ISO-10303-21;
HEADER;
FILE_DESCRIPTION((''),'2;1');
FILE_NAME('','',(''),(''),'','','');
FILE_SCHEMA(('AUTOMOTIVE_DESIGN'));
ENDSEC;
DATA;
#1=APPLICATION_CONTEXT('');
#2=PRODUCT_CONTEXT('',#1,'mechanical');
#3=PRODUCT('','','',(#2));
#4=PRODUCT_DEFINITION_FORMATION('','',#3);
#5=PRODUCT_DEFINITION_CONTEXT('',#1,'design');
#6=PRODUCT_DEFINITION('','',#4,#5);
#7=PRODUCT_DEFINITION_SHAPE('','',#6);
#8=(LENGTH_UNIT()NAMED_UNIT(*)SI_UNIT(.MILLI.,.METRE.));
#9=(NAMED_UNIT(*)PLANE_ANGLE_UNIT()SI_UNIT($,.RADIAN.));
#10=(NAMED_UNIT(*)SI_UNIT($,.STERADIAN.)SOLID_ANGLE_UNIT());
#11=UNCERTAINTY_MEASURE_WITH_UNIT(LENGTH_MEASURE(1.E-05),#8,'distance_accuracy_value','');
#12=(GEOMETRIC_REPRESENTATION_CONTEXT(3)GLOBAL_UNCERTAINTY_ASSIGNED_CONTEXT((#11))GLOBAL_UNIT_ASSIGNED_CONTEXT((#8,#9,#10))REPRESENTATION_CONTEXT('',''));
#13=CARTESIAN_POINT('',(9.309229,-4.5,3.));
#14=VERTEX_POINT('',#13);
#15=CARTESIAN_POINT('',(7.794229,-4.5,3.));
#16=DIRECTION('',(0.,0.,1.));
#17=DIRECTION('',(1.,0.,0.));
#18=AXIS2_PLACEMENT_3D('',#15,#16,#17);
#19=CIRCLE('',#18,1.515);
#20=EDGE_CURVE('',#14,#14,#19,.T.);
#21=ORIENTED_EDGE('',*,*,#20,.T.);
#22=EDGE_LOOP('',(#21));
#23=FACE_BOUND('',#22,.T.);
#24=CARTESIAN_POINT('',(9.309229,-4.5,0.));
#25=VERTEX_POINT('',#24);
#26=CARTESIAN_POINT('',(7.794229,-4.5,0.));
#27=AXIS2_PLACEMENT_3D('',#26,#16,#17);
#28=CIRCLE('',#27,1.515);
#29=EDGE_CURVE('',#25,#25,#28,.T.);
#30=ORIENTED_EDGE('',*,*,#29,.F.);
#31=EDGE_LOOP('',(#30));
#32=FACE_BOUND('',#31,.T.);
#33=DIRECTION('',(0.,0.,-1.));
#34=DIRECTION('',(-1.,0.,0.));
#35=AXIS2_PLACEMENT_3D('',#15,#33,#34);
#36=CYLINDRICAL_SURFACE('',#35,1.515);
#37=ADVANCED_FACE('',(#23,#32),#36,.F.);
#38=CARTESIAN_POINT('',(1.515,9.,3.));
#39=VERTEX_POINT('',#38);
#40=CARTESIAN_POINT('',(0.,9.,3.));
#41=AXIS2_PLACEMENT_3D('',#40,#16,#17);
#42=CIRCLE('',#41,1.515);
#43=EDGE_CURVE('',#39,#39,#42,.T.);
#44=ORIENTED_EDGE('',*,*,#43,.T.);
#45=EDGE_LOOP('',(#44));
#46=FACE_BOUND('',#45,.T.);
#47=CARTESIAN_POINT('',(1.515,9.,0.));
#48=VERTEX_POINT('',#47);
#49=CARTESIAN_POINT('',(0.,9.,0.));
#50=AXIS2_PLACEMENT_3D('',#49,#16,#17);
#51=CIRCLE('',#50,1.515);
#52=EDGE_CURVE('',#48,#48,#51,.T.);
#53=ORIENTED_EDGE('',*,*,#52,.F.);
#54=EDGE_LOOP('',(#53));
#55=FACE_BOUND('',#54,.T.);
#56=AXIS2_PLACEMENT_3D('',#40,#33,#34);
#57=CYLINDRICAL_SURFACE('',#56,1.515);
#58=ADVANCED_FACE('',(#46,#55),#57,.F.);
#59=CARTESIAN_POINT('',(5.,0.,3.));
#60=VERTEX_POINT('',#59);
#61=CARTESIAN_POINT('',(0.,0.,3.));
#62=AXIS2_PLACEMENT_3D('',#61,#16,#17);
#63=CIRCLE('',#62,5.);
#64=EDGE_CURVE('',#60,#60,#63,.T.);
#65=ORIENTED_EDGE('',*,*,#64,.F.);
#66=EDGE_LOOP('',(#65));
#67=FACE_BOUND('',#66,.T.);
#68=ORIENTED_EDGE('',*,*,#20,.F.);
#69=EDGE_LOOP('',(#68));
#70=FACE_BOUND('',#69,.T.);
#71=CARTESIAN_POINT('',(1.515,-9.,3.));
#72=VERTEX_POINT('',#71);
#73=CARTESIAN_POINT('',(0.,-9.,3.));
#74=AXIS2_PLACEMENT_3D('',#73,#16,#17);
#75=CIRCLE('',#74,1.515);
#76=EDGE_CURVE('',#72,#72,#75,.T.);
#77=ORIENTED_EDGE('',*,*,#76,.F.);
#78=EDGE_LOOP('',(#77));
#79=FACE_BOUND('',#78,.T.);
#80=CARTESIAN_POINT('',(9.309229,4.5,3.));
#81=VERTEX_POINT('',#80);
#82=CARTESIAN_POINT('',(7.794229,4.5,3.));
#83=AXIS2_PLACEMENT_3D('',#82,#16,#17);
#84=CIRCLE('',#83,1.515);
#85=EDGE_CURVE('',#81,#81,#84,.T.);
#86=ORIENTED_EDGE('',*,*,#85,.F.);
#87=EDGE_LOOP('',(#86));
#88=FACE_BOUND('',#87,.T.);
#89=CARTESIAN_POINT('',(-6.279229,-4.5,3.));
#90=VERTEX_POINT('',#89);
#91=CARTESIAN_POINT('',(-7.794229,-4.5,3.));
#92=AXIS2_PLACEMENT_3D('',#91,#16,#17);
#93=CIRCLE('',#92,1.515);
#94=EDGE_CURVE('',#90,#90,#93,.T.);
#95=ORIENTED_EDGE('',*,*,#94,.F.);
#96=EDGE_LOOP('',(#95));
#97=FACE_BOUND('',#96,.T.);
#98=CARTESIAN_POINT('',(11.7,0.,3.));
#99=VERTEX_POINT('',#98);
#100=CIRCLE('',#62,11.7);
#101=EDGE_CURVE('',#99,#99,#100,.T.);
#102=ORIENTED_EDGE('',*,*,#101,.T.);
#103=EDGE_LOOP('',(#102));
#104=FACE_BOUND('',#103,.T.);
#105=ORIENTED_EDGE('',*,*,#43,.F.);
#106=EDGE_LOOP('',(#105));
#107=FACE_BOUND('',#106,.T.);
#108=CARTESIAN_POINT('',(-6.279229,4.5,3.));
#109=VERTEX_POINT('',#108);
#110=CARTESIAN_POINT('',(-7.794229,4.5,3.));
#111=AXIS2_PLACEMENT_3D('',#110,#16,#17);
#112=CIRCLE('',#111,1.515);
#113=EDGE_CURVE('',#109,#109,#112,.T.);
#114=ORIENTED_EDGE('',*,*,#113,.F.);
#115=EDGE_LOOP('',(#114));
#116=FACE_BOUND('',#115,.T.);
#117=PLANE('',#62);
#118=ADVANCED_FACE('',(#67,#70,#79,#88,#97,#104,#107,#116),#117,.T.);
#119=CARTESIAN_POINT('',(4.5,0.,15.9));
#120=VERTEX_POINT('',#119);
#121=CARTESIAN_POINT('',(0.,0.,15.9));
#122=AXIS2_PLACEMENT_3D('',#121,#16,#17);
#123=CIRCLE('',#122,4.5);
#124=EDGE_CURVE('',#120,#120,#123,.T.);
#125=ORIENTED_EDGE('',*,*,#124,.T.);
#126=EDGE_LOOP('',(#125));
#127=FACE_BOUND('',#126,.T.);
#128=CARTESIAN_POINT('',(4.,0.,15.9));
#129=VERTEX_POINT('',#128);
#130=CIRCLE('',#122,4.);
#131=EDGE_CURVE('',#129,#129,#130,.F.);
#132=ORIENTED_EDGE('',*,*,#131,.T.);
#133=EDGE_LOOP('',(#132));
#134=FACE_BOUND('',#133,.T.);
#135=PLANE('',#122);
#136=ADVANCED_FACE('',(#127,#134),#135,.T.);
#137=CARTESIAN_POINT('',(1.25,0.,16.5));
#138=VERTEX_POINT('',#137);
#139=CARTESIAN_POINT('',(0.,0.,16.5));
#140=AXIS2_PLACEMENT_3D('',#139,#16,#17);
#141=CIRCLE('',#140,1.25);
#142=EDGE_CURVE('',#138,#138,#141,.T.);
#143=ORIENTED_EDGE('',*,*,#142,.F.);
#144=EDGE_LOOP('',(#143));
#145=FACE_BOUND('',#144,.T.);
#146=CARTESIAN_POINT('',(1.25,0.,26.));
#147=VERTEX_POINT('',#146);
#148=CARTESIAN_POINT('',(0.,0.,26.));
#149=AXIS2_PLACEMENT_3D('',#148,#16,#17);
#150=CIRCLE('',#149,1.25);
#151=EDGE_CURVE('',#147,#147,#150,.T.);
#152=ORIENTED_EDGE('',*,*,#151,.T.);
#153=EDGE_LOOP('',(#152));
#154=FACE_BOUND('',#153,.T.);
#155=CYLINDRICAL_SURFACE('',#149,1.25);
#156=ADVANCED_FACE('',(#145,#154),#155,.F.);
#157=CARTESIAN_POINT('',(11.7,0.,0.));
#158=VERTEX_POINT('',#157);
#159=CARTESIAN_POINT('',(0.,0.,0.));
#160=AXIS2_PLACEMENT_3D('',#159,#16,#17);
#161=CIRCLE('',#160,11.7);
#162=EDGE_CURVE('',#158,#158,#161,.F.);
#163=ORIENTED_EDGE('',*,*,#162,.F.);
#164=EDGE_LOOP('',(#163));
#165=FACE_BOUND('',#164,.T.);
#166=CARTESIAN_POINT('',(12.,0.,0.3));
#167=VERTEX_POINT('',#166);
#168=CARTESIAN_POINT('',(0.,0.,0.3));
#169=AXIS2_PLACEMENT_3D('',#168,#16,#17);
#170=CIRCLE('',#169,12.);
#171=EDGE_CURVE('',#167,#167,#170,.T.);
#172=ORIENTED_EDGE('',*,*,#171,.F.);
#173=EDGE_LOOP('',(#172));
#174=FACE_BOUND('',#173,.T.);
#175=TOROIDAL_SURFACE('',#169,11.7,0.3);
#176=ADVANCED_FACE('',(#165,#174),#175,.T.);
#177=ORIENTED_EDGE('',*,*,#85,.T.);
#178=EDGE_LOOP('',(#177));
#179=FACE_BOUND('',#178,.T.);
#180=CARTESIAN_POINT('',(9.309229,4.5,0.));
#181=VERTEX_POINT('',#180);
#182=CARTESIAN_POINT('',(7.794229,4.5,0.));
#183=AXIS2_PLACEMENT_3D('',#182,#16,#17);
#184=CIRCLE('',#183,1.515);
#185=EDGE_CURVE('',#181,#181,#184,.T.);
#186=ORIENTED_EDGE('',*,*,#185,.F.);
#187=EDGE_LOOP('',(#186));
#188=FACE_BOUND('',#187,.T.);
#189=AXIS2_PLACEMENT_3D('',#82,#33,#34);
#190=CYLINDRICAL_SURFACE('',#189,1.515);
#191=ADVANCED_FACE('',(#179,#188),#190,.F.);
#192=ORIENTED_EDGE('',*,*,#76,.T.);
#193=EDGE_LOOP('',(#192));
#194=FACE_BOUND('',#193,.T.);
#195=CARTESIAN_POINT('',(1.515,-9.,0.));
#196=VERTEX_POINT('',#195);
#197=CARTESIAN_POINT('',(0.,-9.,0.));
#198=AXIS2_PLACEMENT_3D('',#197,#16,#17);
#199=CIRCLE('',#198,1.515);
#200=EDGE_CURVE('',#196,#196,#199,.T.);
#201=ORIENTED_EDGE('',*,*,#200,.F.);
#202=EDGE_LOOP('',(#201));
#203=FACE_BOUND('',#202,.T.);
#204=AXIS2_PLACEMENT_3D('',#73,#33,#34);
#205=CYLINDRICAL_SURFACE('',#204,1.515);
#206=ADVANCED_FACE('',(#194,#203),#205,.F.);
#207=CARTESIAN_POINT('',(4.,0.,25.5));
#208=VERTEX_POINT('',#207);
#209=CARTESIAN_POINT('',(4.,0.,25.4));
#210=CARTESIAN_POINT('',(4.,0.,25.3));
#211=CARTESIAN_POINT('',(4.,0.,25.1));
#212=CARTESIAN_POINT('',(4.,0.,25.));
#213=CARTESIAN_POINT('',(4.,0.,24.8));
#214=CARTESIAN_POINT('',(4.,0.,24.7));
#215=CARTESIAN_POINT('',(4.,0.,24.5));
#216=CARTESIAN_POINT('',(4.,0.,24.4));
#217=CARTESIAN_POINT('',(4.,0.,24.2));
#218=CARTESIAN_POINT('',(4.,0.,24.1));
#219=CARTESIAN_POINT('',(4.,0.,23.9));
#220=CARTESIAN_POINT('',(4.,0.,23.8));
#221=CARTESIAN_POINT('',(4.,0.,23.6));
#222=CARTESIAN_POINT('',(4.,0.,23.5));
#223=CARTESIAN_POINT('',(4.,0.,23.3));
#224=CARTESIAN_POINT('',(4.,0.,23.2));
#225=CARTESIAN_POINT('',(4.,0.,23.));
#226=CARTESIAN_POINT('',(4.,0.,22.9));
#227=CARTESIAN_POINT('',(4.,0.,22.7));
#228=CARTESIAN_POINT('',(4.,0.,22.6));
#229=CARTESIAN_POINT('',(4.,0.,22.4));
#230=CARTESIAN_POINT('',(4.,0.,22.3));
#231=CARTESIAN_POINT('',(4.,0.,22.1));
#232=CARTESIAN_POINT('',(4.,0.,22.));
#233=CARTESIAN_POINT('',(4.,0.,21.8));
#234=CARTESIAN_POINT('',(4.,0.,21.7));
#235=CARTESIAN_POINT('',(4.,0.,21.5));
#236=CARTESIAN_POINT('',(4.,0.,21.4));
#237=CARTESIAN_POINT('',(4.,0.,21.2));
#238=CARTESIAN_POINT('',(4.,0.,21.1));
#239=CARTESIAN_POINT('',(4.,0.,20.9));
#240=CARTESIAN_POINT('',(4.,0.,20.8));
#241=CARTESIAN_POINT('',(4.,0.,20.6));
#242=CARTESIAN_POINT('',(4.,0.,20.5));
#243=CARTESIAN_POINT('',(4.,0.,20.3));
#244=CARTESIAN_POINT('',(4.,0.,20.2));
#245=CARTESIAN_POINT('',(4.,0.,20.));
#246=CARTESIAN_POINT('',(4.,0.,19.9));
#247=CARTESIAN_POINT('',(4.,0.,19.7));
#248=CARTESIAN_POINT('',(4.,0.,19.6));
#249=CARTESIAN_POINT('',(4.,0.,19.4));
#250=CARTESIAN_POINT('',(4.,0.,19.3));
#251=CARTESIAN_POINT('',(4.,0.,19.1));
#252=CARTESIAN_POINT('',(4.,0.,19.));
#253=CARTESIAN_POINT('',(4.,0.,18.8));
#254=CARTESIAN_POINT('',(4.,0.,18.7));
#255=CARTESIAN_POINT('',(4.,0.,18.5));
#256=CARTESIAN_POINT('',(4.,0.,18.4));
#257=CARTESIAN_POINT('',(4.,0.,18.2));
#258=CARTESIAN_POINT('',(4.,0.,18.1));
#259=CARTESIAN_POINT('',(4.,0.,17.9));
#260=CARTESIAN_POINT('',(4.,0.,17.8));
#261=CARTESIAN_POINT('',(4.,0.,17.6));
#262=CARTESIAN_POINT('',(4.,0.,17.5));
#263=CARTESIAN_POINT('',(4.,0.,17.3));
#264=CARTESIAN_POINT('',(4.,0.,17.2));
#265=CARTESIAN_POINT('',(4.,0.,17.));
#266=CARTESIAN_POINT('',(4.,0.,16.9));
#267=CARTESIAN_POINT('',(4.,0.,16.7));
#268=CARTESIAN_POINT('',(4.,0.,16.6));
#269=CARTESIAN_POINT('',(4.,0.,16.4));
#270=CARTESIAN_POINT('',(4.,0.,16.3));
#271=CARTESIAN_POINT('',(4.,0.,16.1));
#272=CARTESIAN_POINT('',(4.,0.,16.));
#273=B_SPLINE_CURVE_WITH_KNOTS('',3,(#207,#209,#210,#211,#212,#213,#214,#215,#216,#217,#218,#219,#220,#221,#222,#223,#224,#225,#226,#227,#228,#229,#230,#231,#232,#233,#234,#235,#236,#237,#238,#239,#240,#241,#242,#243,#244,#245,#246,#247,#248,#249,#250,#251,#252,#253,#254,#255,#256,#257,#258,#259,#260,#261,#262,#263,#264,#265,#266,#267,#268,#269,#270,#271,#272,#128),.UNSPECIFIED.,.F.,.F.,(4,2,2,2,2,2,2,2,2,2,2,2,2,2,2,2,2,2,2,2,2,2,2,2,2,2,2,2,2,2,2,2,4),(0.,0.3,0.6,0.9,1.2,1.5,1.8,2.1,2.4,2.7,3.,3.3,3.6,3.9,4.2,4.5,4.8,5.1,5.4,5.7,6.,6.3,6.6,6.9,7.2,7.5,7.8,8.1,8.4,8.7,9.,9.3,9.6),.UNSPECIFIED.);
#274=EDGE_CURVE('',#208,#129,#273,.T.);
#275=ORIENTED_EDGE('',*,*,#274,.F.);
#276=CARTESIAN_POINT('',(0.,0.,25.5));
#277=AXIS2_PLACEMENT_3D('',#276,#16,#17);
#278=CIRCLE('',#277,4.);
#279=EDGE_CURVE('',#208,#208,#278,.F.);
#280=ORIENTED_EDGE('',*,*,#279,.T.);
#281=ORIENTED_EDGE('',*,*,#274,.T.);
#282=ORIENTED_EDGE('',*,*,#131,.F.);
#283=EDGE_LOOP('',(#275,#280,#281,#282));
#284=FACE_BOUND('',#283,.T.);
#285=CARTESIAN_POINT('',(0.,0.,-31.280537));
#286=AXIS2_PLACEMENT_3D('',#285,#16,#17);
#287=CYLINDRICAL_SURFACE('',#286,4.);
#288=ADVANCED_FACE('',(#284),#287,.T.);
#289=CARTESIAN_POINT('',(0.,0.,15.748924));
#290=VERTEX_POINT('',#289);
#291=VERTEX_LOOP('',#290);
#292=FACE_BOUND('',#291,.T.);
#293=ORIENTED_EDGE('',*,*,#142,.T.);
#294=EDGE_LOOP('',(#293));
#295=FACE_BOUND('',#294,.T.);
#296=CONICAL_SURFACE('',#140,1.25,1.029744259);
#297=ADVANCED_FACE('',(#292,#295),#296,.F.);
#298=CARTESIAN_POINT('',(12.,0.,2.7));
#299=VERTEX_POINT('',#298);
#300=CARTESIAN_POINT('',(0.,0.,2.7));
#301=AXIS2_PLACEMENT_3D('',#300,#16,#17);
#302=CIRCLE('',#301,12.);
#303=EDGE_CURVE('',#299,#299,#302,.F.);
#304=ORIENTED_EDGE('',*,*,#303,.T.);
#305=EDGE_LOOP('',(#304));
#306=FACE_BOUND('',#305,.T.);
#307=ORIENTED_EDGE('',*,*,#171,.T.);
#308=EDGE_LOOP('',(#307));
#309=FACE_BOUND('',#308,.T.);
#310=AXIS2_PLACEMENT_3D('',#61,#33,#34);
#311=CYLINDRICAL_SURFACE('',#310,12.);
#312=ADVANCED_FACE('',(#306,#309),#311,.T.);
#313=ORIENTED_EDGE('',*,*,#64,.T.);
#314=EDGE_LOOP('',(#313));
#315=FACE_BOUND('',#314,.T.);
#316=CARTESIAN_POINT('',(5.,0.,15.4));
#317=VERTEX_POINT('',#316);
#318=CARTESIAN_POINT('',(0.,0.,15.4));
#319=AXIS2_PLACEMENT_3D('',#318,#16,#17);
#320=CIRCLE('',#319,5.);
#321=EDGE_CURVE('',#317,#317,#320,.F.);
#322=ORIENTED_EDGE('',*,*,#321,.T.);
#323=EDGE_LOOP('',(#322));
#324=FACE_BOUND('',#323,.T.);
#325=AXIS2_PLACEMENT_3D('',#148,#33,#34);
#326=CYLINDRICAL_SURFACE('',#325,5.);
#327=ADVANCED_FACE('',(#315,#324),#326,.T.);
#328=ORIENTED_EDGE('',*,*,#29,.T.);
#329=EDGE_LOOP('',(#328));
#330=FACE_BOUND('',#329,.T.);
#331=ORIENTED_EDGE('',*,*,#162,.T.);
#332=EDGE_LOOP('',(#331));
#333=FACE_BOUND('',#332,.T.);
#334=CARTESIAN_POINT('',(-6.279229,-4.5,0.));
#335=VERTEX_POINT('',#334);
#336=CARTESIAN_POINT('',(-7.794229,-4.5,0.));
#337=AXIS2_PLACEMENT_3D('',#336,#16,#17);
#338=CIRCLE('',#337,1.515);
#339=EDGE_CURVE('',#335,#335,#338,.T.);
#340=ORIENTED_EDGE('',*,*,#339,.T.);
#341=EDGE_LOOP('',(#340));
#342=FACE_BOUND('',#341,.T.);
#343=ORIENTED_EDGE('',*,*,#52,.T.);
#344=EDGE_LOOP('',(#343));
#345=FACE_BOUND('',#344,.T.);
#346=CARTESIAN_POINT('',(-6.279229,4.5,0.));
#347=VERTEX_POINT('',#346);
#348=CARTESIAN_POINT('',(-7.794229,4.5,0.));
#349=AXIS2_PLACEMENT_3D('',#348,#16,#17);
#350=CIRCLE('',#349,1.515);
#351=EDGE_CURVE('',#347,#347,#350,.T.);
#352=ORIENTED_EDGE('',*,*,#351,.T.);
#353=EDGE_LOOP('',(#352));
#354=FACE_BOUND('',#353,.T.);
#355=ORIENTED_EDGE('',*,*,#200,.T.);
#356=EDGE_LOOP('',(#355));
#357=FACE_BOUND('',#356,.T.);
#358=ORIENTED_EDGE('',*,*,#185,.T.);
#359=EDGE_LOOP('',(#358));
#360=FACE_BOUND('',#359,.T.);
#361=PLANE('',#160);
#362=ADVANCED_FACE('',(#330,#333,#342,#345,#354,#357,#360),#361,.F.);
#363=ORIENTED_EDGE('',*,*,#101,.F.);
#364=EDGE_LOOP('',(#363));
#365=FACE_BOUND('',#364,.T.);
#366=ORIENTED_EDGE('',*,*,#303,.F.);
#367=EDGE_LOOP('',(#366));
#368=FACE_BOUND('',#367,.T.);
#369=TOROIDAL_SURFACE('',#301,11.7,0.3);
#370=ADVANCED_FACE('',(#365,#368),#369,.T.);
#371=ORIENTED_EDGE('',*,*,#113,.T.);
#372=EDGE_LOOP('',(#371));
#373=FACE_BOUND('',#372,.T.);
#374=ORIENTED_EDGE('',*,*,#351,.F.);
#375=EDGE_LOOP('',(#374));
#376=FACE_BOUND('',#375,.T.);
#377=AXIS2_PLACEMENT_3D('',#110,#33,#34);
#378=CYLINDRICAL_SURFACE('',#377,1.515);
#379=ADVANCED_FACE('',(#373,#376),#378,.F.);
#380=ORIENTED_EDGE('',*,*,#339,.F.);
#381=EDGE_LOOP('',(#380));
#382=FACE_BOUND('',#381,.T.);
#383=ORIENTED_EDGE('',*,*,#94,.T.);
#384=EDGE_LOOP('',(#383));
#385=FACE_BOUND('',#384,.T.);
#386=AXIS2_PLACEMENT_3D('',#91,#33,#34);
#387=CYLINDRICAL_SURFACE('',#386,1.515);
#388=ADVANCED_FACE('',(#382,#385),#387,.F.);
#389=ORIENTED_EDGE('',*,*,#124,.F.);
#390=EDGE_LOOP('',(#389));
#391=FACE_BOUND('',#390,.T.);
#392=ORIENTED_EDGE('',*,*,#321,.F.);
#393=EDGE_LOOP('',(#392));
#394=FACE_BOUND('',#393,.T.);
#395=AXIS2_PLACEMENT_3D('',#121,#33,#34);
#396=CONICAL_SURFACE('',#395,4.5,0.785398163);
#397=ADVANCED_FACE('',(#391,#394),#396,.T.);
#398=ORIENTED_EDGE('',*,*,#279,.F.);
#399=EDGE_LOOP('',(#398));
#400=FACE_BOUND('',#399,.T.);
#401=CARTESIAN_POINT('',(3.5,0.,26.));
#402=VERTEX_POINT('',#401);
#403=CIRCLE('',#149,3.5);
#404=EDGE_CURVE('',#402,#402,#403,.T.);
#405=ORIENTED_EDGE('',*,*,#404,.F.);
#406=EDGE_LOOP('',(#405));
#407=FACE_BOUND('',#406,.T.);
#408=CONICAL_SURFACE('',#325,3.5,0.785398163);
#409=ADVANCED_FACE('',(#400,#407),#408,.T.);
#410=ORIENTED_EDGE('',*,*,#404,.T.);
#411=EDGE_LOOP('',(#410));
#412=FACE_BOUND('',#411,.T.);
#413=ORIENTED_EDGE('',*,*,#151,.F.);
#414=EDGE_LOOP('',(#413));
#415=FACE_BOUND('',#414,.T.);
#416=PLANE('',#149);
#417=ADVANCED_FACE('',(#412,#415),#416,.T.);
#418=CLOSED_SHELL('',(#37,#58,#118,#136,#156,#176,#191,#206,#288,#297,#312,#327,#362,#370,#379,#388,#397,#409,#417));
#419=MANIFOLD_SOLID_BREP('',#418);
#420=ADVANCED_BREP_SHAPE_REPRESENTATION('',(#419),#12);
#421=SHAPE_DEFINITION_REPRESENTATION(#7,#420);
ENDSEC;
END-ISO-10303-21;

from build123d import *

# Parameters (mm, degrees)
SKETCH_1_R             = 12
SKETCH_1_R_2           = 1.515
EXTRUDE_1_DEPTH        = 3
SKETCH_2_R             = 5
EXTRUDE_2_DEPTH        = 23
SKETCH_3_OUTSIDE_W     = 34.552
SKETCH_3_OUTSIDE_H     = 34.552
SKETCH_3_OUTSIDE_R     = 4
CUT_EXTRUDE_1_DEPTH    = 10.1
CHAMFER_1_SIZE         = 0.5
FILLET_1_R             = 0.3
HOLE_WIZARD_M3_1_D     = 2.5
HOLE_WIZARD_M3_1_DEPTH = 9.5
HOLE_WIZARD_M3_1_TIP   = 0.751075774


with BuildPart() as part:
    # 草图1 → 凸台-拉伸1 (new body)
    with BuildSketch(Plane.XY):
        Circle(SKETCH_1_R)
        with Locations((0, 9)):
            Circle(SKETCH_1_R_2, mode=Mode.SUBTRACT)
        with Locations((7.794228634, 4.5)):
            Circle(SKETCH_1_R_2, mode=Mode.SUBTRACT)
        with Locations((7.794228634, -4.5)):
            Circle(SKETCH_1_R_2, mode=Mode.SUBTRACT)
        with Locations((0, -9)):
            Circle(SKETCH_1_R_2, mode=Mode.SUBTRACT)
        with Locations((-7.794228634, -4.5)):
            Circle(SKETCH_1_R_2, mode=Mode.SUBTRACT)
        with Locations((-7.794228634, 4.5)):
            Circle(SKETCH_1_R_2, mode=Mode.SUBTRACT)
    extrude(amount=EXTRUDE_1_DEPTH)

    # 草图2 → 凸台-拉伸2 (add)
    with BuildSketch(Plane.XY.offset(3)):
        Circle(SKETCH_2_R)
    extrude(amount=EXTRUDE_2_DEPTH)

    # 草图3 outside → 切除-拉伸1 (cut)
    with BuildSketch(Plane.XY.offset(26)):
        Rectangle(SKETCH_3_OUTSIDE_W, SKETCH_3_OUTSIDE_H)
        Circle(SKETCH_3_OUTSIDE_R, mode=Mode.SUBTRACT)
    extrude(amount=-CUT_EXTRUDE_1_DEPTH, mode=Mode.SUBTRACT)

    # 倒角1
    chamfer_1_edges = [part.edges().sort_by_distance(p)[0] for p in [
        (-4, 0, 26),
        (-5, 0, 15.9),
    ]]
    chamfer(chamfer_1_edges, length=CHAMFER_1_SIZE)

    # 圆角1
    fillet_1_edges = [part.edges().sort_by_distance(p)[0] for p in [
        (-12, 0, 0),
        (-12, 0, 3),
    ]]
    fillet(fillet_1_edges, radius=FILLET_1_R)

    # M3 螺纹孔1
    with Locations(Plane.XY.offset(26)):
        with Locations((0, 0)):
            Hole(HOLE_WIZARD_M3_1_D / 2, depth=HOLE_WIZARD_M3_1_DEPTH)
            with Locations((0, 0, -(HOLE_WIZARD_M3_1_DEPTH + HOLE_WIZARD_M3_1_TIP / 2))):  # 118° drill point
                Cone(0, HOLE_WIZARD_M3_1_D / 2, HOLE_WIZARD_M3_1_TIP, mode=Mode.SUBTRACT)


solid = part.part
